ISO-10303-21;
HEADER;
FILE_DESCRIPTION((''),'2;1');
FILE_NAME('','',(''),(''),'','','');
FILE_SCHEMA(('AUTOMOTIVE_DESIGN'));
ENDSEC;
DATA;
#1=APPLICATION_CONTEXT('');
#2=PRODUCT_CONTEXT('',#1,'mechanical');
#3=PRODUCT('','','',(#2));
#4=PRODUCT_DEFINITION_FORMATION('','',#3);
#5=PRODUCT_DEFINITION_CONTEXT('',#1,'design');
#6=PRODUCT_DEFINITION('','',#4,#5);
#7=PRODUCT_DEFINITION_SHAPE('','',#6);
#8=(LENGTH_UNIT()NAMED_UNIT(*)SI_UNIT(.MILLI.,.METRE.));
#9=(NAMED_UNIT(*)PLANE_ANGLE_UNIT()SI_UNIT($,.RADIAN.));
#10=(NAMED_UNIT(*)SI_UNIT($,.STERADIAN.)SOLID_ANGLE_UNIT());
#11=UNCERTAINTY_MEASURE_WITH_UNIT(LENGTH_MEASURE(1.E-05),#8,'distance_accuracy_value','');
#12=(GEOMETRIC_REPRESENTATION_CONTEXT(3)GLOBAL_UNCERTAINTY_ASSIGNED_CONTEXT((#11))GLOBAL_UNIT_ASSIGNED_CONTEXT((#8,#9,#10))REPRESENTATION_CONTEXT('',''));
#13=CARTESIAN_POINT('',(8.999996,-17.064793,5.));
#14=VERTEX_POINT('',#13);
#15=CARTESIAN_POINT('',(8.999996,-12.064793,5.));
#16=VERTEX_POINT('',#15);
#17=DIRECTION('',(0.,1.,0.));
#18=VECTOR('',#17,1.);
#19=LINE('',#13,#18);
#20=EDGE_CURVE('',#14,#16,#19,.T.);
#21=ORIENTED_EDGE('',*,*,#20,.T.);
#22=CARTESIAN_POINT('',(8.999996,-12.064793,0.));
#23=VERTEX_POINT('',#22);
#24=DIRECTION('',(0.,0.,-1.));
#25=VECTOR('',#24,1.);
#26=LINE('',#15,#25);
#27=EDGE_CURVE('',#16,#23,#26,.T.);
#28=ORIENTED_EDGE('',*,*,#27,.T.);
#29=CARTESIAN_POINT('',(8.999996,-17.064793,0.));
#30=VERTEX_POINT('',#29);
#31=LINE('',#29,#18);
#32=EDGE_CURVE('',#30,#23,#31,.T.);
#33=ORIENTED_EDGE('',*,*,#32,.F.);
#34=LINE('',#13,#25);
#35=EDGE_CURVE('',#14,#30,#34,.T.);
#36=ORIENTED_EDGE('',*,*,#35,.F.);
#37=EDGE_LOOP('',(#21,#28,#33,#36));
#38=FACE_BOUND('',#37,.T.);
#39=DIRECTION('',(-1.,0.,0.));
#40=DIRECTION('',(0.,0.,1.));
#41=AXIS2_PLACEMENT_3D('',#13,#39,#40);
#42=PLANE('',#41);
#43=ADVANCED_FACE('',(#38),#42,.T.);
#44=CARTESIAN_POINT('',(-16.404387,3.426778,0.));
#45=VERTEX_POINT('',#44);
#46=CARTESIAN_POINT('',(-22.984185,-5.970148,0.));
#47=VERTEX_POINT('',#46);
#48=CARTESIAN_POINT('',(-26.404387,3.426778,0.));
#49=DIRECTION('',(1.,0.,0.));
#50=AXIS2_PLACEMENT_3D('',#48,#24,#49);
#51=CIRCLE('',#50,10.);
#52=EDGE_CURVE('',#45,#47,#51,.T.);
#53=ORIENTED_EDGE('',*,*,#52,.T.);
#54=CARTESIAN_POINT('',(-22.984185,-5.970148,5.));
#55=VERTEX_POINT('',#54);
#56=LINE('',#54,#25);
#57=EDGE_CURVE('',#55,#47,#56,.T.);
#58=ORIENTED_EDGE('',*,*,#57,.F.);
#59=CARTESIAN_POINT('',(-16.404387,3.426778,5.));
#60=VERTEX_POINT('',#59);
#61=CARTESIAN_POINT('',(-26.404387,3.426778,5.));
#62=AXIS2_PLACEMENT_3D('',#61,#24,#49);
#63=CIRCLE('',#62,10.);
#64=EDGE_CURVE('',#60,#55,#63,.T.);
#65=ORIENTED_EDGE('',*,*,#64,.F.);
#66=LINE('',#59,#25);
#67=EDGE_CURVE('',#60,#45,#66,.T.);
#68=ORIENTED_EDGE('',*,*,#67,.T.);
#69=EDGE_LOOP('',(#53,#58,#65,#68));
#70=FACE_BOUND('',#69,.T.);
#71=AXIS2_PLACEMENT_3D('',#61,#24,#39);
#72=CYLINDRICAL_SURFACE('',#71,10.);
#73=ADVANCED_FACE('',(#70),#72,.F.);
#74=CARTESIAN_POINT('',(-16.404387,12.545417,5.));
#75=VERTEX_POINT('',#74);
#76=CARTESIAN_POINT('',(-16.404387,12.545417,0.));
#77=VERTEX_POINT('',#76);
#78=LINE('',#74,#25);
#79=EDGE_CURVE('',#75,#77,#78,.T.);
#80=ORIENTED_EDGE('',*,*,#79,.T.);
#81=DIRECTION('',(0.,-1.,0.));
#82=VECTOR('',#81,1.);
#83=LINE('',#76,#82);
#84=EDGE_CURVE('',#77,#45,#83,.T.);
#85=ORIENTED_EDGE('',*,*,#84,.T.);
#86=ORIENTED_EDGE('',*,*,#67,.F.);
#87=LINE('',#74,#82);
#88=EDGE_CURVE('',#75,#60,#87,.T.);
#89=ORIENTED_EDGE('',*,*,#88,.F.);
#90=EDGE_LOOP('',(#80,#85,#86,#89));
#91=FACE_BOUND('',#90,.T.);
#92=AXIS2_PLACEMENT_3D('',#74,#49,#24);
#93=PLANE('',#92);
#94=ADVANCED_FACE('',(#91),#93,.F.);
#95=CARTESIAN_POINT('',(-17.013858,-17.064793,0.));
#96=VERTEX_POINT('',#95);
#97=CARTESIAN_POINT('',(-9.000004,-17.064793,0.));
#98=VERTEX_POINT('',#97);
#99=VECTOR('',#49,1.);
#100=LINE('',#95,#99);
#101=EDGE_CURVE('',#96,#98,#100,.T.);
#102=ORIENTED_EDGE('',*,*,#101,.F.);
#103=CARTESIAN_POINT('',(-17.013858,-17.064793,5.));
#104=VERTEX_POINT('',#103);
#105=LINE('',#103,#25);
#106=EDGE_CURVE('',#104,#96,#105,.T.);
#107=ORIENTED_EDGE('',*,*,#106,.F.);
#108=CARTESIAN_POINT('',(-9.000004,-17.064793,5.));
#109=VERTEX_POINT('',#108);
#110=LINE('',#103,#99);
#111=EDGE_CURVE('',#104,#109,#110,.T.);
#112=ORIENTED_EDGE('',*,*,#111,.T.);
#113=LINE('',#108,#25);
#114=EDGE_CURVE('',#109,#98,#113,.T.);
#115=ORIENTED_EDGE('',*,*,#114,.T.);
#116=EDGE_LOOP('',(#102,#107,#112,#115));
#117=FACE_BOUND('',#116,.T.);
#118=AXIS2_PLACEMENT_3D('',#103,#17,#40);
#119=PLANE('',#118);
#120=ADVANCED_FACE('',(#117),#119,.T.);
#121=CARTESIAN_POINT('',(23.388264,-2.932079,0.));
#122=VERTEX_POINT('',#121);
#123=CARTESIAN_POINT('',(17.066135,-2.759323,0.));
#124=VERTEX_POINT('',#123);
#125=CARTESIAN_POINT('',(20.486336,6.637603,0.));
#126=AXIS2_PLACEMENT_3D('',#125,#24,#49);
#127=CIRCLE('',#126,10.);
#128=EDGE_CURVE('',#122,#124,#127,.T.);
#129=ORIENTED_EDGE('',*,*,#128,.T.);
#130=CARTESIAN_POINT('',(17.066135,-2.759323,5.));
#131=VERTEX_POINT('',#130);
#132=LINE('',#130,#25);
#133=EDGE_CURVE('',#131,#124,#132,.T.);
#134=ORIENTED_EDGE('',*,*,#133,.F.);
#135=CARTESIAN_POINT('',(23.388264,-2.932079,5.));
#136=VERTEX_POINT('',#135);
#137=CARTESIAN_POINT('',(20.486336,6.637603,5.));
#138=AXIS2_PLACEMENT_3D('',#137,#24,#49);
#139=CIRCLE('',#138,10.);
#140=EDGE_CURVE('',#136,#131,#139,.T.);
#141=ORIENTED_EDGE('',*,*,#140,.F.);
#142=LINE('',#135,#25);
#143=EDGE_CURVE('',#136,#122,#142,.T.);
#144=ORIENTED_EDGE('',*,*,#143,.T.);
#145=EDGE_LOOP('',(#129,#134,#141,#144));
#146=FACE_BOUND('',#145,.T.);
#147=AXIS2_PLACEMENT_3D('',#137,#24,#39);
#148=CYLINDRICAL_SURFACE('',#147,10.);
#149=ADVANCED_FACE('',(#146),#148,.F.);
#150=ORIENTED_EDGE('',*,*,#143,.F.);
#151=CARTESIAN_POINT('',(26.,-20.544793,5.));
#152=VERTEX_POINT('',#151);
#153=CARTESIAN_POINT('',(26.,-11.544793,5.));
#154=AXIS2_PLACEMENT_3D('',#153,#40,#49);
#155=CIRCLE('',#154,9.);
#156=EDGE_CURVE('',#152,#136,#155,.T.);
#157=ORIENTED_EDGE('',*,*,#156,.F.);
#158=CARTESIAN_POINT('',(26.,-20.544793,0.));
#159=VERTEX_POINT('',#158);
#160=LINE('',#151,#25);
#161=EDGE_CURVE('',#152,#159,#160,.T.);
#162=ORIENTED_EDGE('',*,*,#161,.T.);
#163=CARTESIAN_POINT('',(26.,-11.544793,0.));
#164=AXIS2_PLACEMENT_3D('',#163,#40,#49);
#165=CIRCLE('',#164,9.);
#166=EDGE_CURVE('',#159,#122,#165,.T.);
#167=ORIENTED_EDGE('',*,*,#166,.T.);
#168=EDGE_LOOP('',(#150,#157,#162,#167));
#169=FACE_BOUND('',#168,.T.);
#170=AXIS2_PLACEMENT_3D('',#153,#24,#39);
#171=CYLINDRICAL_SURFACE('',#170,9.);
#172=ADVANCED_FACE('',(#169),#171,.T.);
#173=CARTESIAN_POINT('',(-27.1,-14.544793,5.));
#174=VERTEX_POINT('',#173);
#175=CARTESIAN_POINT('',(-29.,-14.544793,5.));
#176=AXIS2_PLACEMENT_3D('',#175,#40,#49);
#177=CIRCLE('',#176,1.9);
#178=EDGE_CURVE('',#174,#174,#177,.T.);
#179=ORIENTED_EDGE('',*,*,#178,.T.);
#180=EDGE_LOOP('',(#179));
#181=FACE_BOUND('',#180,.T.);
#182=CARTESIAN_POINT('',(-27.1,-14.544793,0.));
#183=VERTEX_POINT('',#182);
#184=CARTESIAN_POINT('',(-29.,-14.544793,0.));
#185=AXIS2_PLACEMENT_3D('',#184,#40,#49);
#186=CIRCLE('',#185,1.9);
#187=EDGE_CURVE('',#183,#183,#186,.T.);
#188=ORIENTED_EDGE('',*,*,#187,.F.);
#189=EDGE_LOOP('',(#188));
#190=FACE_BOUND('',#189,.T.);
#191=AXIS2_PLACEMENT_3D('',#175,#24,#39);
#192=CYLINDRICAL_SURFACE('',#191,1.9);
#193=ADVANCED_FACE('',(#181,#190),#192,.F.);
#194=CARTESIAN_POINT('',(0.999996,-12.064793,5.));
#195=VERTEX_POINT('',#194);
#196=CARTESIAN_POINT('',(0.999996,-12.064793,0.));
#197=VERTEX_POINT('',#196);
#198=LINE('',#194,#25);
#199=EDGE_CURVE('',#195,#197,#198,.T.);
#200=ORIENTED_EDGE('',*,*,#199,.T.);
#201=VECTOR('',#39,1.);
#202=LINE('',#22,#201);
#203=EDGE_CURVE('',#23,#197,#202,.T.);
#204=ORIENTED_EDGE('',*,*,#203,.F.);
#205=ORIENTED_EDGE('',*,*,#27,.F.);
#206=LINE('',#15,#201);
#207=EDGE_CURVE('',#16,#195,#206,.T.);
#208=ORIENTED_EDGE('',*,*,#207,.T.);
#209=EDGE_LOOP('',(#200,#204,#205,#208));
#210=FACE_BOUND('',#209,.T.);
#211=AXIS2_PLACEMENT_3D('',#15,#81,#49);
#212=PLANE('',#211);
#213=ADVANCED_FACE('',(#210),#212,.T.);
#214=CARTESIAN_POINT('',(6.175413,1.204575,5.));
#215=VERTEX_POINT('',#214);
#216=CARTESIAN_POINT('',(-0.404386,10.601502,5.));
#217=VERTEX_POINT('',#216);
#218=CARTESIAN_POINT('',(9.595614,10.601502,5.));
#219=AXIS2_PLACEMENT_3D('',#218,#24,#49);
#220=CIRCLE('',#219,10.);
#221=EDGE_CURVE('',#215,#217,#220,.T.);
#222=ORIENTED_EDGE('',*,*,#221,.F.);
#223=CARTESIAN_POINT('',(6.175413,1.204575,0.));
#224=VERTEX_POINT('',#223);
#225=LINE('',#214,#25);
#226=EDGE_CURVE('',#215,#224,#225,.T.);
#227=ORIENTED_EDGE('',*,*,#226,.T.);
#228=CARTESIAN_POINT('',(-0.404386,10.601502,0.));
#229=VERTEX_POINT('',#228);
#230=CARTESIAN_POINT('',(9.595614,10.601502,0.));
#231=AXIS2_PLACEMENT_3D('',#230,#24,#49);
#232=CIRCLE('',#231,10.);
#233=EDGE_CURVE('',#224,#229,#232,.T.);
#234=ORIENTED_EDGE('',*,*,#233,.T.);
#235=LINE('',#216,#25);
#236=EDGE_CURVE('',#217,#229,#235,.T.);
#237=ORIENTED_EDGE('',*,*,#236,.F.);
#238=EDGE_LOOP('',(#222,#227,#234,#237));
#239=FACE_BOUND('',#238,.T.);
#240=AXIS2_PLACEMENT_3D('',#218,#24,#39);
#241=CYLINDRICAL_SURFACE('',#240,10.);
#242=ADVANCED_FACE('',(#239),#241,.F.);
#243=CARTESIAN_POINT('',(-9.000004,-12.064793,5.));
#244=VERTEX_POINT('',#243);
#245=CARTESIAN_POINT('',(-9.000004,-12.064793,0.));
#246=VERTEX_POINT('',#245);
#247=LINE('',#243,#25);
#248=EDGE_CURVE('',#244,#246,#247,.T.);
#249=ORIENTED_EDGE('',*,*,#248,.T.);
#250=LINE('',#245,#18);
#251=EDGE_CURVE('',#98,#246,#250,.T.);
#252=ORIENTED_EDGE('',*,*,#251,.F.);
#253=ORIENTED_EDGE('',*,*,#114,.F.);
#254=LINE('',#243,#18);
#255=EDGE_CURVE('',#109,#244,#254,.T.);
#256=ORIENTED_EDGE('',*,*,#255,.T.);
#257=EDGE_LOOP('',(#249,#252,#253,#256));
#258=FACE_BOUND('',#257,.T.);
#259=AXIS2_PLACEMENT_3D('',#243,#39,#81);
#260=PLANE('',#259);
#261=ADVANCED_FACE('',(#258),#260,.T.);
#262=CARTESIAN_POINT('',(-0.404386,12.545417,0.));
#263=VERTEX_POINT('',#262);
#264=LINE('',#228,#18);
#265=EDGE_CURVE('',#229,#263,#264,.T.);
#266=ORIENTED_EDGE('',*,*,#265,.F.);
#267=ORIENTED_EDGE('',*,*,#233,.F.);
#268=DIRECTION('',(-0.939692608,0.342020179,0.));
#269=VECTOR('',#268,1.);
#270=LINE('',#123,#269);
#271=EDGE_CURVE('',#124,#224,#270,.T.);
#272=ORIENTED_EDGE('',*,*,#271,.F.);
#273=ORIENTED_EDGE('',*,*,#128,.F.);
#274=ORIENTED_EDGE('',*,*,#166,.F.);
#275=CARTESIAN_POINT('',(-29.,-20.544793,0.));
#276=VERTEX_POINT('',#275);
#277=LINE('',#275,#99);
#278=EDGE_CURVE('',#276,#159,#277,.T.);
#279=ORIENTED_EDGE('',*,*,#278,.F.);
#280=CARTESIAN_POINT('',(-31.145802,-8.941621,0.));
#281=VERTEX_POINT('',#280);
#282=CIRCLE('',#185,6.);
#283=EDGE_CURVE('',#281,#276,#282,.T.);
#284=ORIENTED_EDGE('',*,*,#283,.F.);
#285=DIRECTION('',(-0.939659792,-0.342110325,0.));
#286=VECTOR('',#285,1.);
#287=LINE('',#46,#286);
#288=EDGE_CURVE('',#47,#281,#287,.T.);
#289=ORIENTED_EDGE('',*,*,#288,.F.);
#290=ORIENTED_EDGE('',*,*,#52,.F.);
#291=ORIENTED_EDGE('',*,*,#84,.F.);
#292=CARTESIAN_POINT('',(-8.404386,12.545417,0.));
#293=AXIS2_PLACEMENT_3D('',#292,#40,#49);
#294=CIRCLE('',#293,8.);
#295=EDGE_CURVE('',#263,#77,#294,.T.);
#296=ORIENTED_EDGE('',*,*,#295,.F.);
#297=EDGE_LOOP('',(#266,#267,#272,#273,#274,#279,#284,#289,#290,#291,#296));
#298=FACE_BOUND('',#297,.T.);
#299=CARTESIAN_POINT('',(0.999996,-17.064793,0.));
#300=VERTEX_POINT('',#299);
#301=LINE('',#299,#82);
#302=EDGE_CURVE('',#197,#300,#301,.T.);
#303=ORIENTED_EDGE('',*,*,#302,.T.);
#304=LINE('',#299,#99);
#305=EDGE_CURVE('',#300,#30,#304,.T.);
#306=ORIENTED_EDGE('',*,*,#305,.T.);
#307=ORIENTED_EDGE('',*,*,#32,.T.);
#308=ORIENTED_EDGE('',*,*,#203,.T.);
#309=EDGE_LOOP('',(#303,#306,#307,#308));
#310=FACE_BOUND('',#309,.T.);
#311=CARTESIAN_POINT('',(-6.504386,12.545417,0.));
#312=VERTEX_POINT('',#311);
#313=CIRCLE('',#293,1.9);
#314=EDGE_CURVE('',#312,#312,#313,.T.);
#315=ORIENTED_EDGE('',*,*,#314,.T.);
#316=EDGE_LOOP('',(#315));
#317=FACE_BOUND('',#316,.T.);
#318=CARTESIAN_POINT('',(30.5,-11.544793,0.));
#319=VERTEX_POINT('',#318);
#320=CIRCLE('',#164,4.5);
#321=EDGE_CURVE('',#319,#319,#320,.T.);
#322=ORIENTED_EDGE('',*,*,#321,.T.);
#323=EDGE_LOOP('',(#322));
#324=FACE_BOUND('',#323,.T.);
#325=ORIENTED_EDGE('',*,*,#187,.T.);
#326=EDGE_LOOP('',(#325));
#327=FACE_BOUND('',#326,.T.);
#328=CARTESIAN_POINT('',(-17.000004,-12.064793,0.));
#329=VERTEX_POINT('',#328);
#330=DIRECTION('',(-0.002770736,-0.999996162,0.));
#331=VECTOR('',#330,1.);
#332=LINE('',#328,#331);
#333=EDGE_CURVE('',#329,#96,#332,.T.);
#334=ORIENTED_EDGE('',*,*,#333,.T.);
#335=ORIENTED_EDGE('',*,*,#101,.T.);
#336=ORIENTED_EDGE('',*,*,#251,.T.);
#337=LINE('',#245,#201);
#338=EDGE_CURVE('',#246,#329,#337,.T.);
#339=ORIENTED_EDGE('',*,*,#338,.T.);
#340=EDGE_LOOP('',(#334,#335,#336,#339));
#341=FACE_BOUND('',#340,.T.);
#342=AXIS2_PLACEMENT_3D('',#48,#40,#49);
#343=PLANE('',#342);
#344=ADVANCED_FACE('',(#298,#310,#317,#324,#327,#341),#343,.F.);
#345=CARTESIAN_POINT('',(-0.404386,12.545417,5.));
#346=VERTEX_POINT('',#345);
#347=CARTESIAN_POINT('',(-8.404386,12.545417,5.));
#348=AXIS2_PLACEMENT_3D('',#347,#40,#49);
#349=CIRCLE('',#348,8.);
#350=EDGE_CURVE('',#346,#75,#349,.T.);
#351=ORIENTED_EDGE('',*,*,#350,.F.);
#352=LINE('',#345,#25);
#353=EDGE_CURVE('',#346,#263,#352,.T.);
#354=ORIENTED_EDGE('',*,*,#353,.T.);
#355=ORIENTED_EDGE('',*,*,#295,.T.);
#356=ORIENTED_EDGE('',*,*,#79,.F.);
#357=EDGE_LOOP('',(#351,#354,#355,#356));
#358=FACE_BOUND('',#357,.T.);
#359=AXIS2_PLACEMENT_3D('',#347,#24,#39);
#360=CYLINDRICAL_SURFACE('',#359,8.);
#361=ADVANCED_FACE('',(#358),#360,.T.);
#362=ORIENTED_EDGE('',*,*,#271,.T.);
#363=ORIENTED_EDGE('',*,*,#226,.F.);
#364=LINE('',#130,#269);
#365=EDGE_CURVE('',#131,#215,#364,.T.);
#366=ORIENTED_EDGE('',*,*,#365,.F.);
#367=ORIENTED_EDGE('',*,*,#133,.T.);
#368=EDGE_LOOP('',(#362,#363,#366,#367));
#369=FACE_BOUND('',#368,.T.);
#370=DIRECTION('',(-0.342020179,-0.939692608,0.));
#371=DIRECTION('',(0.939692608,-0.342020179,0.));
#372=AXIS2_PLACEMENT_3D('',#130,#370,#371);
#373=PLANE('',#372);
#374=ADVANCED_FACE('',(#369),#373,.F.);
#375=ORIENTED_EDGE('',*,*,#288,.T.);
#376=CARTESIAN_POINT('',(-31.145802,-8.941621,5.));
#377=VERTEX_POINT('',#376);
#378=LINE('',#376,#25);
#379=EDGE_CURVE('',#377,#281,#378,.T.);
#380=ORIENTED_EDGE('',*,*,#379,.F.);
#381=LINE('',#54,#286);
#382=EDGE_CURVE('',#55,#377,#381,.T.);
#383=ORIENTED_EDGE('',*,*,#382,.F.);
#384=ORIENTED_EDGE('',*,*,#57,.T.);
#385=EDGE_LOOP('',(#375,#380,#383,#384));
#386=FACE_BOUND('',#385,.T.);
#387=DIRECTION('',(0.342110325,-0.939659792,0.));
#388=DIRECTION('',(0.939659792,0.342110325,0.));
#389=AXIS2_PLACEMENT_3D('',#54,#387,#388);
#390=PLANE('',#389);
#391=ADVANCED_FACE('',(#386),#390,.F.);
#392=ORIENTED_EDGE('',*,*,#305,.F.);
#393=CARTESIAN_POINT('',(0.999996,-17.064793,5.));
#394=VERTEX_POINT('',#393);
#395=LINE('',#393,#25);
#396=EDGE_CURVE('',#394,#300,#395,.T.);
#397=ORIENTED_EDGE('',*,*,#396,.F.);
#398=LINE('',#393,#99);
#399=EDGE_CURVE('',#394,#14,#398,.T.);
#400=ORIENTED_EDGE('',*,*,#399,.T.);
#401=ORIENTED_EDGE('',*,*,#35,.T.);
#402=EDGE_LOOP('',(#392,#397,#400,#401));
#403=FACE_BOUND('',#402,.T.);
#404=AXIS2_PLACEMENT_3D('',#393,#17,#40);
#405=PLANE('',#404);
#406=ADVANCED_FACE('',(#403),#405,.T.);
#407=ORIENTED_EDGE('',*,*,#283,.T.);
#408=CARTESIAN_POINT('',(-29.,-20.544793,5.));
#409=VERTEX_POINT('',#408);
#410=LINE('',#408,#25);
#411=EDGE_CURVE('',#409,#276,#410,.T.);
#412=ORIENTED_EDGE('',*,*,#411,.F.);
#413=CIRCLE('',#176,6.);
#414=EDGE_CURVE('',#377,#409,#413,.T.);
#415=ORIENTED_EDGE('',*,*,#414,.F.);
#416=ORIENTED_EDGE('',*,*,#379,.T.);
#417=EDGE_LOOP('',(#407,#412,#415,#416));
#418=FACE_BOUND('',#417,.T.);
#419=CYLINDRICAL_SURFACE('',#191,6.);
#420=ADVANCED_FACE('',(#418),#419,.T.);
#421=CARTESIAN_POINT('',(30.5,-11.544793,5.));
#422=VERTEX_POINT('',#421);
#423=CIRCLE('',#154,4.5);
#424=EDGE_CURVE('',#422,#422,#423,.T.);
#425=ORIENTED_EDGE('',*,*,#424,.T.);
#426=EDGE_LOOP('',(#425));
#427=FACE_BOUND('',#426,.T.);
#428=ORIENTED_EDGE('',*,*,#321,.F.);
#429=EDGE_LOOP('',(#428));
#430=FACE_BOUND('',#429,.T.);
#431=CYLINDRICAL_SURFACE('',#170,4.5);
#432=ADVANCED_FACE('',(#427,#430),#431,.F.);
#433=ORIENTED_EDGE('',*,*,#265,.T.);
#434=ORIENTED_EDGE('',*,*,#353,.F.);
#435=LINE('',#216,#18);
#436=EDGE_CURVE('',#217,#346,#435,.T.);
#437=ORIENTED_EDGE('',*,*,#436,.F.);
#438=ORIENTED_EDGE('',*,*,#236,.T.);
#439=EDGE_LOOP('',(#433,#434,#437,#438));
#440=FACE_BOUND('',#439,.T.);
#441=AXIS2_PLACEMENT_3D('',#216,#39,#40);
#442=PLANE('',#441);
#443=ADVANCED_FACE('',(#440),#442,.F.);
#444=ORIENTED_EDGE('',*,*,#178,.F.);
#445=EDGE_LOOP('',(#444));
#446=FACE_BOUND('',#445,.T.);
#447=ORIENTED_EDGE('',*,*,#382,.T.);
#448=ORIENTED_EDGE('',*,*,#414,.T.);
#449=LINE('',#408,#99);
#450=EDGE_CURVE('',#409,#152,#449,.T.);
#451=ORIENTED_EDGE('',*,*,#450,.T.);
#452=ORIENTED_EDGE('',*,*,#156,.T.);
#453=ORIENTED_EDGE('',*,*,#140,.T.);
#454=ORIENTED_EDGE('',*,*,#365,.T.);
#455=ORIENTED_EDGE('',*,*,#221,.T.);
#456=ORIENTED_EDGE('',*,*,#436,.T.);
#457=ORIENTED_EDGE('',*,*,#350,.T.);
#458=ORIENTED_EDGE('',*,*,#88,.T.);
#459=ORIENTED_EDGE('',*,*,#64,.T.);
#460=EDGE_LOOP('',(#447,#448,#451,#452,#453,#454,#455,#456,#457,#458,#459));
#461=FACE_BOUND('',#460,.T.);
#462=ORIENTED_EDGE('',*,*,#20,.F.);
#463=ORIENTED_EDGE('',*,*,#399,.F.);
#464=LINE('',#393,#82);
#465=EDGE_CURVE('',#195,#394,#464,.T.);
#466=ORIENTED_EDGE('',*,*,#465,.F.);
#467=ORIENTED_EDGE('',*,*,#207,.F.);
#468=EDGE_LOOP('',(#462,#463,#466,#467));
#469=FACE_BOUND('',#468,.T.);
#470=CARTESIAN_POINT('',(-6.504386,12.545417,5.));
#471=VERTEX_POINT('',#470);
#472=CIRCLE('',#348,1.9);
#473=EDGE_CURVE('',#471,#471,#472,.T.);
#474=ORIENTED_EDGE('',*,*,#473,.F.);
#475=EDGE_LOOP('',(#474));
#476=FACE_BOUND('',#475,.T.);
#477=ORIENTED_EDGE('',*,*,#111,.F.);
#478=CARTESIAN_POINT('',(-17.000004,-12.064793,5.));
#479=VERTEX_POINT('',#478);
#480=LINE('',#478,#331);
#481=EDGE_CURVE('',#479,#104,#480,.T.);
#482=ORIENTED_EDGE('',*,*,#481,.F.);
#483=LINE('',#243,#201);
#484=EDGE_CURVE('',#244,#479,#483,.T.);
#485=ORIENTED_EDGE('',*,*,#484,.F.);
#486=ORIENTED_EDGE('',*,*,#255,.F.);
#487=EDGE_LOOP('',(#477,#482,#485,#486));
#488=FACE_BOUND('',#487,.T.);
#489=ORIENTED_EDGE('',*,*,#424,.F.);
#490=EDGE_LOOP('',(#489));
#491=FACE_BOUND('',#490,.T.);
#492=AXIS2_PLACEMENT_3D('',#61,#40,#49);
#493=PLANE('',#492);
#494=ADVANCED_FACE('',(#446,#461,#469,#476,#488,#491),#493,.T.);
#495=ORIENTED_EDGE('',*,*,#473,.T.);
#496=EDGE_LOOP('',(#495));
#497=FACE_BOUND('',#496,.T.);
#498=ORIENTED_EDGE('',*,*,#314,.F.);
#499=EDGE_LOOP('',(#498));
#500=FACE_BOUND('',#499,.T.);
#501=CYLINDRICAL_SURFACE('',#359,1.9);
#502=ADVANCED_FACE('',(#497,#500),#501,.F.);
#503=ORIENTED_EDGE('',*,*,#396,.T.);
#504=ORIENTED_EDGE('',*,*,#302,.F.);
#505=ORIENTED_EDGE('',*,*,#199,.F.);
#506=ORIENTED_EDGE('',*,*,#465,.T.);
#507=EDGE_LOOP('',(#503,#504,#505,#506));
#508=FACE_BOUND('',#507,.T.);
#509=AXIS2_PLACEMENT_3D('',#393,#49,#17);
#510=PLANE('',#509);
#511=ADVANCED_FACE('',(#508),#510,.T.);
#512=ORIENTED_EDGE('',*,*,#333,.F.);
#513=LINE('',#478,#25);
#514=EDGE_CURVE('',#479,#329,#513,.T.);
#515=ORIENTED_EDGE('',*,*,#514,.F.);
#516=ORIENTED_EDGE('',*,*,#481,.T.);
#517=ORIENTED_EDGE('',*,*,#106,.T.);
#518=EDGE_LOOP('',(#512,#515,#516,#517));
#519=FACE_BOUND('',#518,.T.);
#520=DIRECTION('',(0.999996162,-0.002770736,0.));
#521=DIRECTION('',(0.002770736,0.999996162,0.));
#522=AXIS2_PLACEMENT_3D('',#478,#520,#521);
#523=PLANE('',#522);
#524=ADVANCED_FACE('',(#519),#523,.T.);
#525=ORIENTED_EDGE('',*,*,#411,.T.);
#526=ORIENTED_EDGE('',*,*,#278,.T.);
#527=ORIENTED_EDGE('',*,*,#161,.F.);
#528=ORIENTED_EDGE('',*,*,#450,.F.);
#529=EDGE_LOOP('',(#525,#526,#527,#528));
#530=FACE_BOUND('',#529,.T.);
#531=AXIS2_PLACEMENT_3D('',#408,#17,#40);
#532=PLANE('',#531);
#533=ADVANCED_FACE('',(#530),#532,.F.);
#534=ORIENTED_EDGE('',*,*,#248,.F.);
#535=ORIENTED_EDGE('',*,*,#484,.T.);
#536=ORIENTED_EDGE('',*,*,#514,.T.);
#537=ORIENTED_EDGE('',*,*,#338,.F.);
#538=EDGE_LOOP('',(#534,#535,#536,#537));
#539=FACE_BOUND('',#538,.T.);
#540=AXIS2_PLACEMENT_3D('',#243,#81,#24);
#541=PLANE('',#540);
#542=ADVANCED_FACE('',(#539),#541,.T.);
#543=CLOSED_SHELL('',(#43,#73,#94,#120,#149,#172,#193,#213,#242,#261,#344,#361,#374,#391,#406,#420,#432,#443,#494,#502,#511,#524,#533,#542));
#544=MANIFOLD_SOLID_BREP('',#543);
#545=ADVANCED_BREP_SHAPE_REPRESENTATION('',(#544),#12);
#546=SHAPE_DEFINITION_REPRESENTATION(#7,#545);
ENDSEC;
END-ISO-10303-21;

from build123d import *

# Parameters (mm, degrees)
ESQUISSE1_R        = 1.9
ESQUISSE1_R_2      = 4.5
ESQUISSE1_W        = 8
ESQUISSE1_H        = 5
BOSS_EXTRU_1_DEPTH = 5


with BuildPart() as part:
    # Esquisse1 → Boss.-Extru.1 (new body)
    with BuildSketch(Plane.XY):
        with BuildLine():
            Line((-22.984184861, -5.970148314), (-31.145801552, -8.941620925))
            ThreePointArc((-31.145801552, -8.941620925), (-34.899958966, -15.635885981), (-29, -20.544792857))
            Line((-29, -20.544792857), (26, -20.544792857))
            ThreePointArc((26, -20.544792857), (34.902651948, -10.224645785), (23.388264466, -2.932079143))
            ThreePointArc((23.388264466, -2.932079143), (20.213182454, -3.358665896), (17.066134535, -2.7593234))
            Line((17.066134535, -2.7593234), (6.175413191, 1.204575468))
            ThreePointArc((6.175413191, 1.204575468), (1.404093414, 4.865736977), (-0.404386386, 10.601501853))
            Line((-0.404386386, 10.601501853), (-0.404386386, 12.54541747))
            ThreePointArc((-0.404386386, 12.54541747), (-8.404386386, 20.54541747), (-16.404387146, 12.54541747))
            Line((-16.404387146, 12.54541747), (-16.404387146, 3.426777584))
            ThreePointArc((-16.404387146, 3.426777584), (-18.212866443, -2.308986408), (-22.984184861, -5.970148314))
        make_face()
        with Locations((-8.404386386, 12.54541747)):
            Circle(ESQUISSE1_R, mode=Mode.SUBTRACT)
        with Locations((-29, -14.544792857)):
            Circle(ESQUISSE1_R, mode=Mode.SUBTRACT)
        with Locations((26, -11.544792857)):
            Circle(ESQUISSE1_R_2, mode=Mode.SUBTRACT)
        with Locations((4.999995852, -14.564792857)):
            Rectangle(ESQUISSE1_W, ESQUISSE1_H, mode=Mode.SUBTRACT)
        Polygon((-17.000004148, -12.064792857), (-17.013857883, -17.064792857), (-9.000004148, -17.064792857), (-9.000004148, -12.064792857), align=None, mode=Mode.SUBTRACT)
    extrude(amount=BOSS_EXTRU_1_DEPTH)


solid = part.part
